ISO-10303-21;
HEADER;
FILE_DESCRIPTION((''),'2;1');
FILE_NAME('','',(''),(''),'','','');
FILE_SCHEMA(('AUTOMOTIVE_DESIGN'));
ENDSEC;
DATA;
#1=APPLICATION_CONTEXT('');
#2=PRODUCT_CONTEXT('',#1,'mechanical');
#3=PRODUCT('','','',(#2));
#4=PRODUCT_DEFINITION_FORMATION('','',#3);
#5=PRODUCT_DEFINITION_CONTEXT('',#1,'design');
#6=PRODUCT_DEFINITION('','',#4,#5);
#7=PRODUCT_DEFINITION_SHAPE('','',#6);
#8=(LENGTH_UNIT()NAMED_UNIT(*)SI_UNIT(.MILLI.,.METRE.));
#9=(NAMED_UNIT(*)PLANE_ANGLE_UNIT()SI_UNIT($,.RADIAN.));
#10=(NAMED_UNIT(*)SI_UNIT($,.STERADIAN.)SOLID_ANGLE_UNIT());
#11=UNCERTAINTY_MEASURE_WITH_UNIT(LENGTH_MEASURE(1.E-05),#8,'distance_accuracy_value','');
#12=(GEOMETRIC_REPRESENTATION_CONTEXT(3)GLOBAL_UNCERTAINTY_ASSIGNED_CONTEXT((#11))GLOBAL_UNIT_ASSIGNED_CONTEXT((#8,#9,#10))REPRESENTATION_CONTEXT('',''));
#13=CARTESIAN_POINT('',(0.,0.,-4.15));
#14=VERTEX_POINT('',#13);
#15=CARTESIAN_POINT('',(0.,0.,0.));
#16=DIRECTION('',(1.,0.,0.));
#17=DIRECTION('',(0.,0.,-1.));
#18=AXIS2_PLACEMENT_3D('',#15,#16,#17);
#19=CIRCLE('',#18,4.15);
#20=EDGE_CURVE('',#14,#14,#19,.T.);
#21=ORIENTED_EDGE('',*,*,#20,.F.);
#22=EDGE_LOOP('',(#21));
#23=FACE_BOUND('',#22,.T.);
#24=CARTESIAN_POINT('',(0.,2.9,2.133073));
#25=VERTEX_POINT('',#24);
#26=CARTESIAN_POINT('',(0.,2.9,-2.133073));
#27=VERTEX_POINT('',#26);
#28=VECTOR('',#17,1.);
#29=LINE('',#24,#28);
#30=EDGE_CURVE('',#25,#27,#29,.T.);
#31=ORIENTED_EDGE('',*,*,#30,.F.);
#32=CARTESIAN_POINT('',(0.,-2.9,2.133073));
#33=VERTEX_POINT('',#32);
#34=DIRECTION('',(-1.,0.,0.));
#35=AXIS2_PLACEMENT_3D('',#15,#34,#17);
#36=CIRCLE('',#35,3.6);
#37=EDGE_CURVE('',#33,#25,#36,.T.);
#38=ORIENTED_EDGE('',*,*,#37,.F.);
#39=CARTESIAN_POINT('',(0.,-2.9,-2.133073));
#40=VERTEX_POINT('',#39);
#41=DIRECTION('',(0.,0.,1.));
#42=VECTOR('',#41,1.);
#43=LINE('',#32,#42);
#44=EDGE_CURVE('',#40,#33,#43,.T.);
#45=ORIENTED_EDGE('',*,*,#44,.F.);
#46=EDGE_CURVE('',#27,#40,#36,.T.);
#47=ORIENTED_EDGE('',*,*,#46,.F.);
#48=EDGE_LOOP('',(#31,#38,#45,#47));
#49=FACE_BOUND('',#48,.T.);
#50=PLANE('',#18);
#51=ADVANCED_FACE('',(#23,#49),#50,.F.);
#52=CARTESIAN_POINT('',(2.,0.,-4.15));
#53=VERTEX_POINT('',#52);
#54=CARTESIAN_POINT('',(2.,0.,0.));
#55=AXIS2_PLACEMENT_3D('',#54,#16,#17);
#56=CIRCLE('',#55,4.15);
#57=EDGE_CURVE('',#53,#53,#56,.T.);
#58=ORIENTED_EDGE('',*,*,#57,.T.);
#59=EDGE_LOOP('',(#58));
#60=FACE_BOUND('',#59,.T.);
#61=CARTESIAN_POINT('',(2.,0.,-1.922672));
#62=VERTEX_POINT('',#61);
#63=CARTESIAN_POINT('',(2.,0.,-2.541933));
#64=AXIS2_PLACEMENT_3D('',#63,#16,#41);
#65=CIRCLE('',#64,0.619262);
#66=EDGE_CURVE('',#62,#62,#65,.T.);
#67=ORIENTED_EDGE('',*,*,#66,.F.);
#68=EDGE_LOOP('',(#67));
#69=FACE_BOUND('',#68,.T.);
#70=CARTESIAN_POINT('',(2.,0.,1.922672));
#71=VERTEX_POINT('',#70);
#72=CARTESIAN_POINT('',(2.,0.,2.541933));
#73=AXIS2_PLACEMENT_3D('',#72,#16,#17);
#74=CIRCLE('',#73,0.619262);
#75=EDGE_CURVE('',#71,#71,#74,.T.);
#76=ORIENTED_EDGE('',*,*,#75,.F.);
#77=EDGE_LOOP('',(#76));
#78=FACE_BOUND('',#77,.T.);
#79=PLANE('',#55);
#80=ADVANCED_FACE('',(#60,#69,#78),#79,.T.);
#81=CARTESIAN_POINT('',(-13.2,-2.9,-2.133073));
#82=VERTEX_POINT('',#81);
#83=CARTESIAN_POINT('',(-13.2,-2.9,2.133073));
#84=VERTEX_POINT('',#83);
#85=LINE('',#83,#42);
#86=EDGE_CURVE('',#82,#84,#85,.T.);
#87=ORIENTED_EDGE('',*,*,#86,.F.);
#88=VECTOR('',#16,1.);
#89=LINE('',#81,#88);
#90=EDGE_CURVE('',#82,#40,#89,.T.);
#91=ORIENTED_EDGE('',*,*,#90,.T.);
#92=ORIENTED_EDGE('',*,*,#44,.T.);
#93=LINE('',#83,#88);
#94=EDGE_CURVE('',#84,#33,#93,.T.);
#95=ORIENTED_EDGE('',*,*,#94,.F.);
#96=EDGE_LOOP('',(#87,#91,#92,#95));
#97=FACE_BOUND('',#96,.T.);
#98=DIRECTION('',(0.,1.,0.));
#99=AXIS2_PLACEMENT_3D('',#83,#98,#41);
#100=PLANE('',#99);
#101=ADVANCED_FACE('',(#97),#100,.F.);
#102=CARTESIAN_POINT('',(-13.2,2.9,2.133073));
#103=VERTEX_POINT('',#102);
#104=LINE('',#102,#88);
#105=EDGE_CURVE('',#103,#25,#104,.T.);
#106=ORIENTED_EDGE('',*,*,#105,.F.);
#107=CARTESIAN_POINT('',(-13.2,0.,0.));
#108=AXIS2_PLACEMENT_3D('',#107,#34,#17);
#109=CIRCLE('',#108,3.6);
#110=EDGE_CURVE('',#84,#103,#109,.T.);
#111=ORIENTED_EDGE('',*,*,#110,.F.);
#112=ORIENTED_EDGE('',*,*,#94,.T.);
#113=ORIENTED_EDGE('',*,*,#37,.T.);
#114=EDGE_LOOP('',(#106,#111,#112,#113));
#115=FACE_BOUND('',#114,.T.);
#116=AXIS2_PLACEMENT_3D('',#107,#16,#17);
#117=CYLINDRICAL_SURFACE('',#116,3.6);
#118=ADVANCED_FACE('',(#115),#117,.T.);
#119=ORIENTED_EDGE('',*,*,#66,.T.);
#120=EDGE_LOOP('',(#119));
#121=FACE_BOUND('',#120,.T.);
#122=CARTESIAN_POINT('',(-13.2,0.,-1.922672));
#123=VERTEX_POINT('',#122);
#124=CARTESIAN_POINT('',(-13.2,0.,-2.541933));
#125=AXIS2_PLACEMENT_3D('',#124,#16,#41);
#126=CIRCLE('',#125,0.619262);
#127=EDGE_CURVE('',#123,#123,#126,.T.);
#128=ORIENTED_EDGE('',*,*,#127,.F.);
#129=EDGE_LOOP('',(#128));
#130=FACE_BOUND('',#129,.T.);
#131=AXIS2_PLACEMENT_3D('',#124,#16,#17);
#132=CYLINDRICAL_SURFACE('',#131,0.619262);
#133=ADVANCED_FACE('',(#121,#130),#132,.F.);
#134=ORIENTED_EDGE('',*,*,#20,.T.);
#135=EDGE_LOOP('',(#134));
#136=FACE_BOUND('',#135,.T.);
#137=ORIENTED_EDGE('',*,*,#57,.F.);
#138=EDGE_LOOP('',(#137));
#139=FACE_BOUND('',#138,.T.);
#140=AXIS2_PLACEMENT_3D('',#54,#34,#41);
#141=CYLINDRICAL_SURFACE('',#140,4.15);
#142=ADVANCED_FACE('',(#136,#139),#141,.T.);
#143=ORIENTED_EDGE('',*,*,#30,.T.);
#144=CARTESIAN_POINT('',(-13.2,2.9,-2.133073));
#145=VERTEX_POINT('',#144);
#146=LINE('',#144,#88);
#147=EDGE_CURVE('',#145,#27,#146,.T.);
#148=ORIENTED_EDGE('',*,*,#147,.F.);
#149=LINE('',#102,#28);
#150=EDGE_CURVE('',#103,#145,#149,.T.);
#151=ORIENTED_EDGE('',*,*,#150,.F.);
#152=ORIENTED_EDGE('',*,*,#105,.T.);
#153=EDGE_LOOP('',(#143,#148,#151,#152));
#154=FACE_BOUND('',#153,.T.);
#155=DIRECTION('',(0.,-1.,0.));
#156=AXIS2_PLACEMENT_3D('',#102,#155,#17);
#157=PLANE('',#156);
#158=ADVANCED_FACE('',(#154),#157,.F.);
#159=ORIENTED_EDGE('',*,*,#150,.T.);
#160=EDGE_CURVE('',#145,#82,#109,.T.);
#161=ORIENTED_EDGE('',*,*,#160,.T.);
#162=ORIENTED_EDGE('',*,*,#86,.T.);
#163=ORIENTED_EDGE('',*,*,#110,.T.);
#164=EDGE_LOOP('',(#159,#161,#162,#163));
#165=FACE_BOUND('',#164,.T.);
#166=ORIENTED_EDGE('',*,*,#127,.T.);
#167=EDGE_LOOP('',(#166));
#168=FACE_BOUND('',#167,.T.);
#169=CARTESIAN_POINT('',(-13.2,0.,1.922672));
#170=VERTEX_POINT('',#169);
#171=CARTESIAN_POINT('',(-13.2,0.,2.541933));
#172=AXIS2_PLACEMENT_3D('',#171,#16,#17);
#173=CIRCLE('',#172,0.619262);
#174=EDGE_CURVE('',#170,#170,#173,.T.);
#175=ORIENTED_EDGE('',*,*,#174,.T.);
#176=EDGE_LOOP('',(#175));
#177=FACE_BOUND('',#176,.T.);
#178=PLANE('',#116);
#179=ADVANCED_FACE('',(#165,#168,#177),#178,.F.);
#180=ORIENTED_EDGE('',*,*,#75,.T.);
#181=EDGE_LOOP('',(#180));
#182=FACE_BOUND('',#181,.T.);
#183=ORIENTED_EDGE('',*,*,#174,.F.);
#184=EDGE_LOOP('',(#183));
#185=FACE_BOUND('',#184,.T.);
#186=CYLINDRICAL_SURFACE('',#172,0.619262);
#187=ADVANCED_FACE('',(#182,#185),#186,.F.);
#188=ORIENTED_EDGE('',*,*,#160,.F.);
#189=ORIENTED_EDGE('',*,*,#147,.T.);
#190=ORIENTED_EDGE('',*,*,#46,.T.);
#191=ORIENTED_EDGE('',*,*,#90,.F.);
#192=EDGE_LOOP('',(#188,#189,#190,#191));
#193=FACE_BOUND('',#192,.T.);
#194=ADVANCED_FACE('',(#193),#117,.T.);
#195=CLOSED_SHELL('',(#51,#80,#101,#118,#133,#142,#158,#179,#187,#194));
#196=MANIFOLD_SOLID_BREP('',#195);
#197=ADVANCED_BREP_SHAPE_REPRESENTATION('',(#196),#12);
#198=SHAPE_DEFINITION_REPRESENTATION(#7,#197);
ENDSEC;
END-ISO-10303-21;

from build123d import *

# Parameters (mm, degrees)
SKETCH_1_R               = 4.15
EXTRUDE_1_DEPTH          = 2
EXTRUDE_2_DEPTH          = 13.2
CUT_EXTRUDE_1_DEPTH      = 15.445933684
CUT_EXTRUDE_1_DEPTH_BACK = 15.445933684
SKETCH_3_R               = 0.619261525


with BuildPart() as part:
    # Эскиз1 → Бобышка-Вытянуть1 (new body)
    with BuildSketch(Plane(origin=(0, 0, 0), x_dir=(0, 0, -1), z_dir=(1, 0, 0))):
        Circle(SKETCH_1_R)
    extrude(amount=EXTRUDE_1_DEPTH)

    # Эскиз2 → Бобышка-Вытянуть2 (add)
    with BuildSketch(Plane.ZY):
        with BuildLine():
            Line((2.133072901, 2.9), (-2.133072901, 2.9))
            ThreePointArc((-2.133072901, 2.9), (-3.6, 0), (-2.133072901, -2.9))
            Line((-2.133072901, -2.9), (2.133072901, -2.9))
            ThreePointArc((2.133072901, -2.9), (3.6, 0), (2.133072901, 2.9))
        make_face()
    extrude(amount=EXTRUDE_2_DEPTH)

    # Эскиз3 → Вырез-Вытянуть1 (cut, two sides: drawn at the far end of the back side and taken through both)
    with BuildSketch(Plane(origin=(0, 0, 0), x_dir=(0, 0, -1), z_dir=(1, 0, 0)).offset(-CUT_EXTRUDE_1_DEPTH_BACK)):
        with Locations((-2.541933221, 0)):
            Circle(SKETCH_3_R)
        with Locations(Location((2.541933221, 0, 0), (0, 0, 180))):
            Circle(SKETCH_3_R)
    extrude(amount=CUT_EXTRUDE_1_DEPTH + CUT_EXTRUDE_1_DEPTH_BACK, mode=Mode.SUBTRACT)


solid = part.part
